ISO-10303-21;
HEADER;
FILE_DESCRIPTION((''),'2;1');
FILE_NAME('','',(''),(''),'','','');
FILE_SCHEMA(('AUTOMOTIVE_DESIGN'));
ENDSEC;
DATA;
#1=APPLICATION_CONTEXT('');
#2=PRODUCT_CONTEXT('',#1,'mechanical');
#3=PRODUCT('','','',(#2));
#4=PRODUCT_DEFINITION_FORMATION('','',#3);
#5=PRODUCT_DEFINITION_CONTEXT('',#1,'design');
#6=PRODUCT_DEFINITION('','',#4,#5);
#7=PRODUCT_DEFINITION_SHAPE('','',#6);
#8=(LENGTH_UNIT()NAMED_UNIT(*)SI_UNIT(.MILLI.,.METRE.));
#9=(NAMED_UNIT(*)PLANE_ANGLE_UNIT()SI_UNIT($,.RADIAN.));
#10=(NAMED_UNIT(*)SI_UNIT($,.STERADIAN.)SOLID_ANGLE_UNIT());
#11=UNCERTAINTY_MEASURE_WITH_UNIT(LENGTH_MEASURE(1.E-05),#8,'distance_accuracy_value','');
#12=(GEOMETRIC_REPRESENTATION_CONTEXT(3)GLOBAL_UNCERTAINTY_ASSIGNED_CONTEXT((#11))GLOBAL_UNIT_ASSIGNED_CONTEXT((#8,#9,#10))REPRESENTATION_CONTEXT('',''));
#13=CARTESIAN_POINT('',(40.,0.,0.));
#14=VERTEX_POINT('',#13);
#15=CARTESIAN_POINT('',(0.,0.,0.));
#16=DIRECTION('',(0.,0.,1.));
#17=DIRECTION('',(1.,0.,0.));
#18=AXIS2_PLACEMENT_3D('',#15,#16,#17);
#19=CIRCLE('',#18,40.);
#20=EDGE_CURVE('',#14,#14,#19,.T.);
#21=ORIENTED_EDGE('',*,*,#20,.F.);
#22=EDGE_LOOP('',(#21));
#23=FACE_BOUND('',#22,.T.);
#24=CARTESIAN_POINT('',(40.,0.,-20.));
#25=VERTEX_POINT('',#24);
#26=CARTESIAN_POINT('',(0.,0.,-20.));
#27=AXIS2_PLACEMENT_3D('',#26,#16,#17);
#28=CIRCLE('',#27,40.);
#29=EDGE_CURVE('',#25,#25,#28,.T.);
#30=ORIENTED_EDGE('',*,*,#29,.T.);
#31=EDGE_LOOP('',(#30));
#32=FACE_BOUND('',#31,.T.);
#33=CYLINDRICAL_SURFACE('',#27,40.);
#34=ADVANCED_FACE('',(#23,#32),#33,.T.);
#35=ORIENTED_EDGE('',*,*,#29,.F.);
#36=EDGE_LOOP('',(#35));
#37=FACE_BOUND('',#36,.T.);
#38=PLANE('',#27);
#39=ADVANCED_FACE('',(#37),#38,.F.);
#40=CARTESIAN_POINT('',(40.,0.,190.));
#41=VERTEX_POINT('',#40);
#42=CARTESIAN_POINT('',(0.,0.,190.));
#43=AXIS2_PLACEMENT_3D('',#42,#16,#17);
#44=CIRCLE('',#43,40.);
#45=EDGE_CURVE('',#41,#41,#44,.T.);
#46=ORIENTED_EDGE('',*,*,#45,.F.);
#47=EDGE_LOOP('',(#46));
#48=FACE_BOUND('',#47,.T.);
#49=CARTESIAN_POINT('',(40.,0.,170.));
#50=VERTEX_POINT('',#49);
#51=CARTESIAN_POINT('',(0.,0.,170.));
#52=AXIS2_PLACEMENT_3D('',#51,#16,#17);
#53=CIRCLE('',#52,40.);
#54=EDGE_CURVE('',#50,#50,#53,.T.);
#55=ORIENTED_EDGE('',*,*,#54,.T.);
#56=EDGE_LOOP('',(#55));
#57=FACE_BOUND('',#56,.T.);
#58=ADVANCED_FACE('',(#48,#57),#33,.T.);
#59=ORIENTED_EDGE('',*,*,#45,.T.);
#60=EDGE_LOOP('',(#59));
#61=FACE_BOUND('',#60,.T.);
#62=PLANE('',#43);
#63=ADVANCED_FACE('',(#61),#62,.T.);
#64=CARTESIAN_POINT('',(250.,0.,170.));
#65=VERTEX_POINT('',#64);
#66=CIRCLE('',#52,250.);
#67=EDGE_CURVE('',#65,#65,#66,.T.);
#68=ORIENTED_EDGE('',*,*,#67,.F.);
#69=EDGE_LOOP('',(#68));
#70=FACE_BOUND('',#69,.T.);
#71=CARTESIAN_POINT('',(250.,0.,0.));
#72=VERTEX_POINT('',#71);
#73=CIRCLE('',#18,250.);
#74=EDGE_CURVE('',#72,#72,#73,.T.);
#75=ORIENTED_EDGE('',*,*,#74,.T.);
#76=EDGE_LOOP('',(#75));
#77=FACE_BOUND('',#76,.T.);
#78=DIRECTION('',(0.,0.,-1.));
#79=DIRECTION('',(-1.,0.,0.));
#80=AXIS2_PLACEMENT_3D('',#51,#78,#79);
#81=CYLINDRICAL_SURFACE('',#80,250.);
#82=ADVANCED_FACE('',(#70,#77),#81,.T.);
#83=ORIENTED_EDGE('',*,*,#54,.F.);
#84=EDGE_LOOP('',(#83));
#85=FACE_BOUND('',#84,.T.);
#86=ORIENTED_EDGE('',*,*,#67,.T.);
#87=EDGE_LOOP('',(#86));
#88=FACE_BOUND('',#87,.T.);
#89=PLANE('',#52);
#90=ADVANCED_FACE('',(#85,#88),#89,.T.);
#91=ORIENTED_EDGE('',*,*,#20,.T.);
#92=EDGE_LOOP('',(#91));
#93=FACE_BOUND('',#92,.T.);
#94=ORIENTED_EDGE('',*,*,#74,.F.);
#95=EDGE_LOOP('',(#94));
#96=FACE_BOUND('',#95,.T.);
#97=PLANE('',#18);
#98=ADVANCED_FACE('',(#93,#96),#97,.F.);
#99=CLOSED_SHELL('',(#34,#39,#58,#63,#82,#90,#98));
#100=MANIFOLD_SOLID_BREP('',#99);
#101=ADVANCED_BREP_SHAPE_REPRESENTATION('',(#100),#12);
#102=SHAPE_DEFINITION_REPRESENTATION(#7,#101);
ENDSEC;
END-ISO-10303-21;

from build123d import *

# Parameters (mm, degrees)
SKETCH1_R                = 250
BOSS_EXTRUDE1_DEPTH      = 170
BOSS_EXTRUDE2_DEPTH      = 20
BOSS_EXTRUDE2_DEPTH_BACK = 190
SKETCH2_R                = 40


with BuildPart() as part:
    # Sketch1 → Boss-Extrude1 (new body)
    with BuildSketch(Plane.XY):
        Circle(SKETCH1_R)
    extrude(amount=BOSS_EXTRUDE1_DEPTH)

    # Sketch2 → Boss-Extrude2 (add, two sides: drawn at the far end of the back side and taken through both)
    with BuildSketch(Plane.XY.offset(170).offset(-BOSS_EXTRUDE2_DEPTH_BACK)):
        Circle(SKETCH2_R)
    extrude(amount=BOSS_EXTRUDE2_DEPTH + BOSS_EXTRUDE2_DEPTH_BACK)


solid = part.part
